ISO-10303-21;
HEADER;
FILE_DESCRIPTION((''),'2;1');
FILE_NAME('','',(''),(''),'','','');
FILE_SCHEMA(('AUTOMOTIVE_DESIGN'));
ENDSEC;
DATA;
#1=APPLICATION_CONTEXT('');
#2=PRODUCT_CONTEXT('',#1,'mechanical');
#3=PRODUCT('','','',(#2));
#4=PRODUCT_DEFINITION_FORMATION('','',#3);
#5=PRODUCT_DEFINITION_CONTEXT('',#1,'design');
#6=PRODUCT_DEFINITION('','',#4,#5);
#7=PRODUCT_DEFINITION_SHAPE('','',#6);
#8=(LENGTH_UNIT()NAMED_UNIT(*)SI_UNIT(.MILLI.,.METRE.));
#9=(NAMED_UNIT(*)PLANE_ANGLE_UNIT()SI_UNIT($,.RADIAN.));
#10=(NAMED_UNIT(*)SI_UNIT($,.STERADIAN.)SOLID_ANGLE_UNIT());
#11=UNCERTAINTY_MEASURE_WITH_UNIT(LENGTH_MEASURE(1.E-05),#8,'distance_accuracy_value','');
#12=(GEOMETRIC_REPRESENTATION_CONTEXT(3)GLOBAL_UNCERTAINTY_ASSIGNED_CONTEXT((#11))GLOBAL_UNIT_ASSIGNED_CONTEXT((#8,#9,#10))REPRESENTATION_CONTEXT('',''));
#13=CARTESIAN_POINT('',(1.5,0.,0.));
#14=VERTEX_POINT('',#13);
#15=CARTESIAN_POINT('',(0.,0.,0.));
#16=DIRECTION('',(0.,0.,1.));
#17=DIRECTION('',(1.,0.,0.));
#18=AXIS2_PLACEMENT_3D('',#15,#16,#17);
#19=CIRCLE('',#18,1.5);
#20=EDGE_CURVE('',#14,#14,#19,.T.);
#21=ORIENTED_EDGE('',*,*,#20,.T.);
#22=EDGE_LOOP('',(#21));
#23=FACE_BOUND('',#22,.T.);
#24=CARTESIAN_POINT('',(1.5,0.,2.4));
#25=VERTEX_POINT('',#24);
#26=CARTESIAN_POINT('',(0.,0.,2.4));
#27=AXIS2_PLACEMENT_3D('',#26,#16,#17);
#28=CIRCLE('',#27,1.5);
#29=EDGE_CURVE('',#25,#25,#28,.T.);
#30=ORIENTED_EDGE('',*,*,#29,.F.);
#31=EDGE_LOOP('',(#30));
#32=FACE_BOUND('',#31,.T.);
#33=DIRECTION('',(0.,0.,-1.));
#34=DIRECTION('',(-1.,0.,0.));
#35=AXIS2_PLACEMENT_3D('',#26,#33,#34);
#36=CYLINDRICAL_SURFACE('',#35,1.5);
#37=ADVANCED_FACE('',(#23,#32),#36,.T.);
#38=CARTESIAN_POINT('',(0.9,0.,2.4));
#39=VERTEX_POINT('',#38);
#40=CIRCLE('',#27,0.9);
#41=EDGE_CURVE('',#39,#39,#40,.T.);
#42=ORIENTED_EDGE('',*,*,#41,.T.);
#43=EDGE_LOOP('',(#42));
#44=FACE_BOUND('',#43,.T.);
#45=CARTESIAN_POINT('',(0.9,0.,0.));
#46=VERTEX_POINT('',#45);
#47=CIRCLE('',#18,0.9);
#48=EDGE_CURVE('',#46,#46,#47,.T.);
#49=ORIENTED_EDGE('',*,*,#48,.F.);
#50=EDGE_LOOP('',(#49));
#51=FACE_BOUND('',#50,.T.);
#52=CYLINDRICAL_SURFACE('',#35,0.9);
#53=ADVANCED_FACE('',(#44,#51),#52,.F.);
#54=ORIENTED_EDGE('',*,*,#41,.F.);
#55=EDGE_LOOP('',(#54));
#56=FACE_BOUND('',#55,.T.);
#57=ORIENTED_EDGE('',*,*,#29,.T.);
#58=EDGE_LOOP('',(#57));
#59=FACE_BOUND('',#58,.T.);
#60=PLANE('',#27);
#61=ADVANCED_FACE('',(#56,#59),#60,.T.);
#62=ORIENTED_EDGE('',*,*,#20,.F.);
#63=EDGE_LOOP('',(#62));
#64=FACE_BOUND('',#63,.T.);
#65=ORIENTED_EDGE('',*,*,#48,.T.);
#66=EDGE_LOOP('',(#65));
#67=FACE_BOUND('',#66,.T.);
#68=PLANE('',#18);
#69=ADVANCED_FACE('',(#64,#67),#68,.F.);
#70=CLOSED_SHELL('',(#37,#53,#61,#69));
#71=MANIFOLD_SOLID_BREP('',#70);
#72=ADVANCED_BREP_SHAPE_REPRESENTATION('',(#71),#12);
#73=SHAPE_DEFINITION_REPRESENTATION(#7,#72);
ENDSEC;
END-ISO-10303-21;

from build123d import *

# Parameters (mm, degrees)
SKETCH_1_R      = 2.5
SKETCH_1_R_2    = 1.5
EXTRUDE_1_DEPTH = 4
SCALE_1_SCALE   = 0.6


with BuildPart() as part:
    # 草图1 → 凸台-拉伸1 (new body)
    with BuildSketch(Plane.XY):
        Circle(SKETCH_1_R)
        Circle(SKETCH_1_R_2, mode=Mode.SUBTRACT)
    extrude(amount=EXTRUDE_1_DEPTH)


with BuildPart() as part_1:
    # 缩放比例1: scaled about (0, 0, 0)
    add(part.part.scale(SCALE_1_SCALE))


solid = part_1.part
